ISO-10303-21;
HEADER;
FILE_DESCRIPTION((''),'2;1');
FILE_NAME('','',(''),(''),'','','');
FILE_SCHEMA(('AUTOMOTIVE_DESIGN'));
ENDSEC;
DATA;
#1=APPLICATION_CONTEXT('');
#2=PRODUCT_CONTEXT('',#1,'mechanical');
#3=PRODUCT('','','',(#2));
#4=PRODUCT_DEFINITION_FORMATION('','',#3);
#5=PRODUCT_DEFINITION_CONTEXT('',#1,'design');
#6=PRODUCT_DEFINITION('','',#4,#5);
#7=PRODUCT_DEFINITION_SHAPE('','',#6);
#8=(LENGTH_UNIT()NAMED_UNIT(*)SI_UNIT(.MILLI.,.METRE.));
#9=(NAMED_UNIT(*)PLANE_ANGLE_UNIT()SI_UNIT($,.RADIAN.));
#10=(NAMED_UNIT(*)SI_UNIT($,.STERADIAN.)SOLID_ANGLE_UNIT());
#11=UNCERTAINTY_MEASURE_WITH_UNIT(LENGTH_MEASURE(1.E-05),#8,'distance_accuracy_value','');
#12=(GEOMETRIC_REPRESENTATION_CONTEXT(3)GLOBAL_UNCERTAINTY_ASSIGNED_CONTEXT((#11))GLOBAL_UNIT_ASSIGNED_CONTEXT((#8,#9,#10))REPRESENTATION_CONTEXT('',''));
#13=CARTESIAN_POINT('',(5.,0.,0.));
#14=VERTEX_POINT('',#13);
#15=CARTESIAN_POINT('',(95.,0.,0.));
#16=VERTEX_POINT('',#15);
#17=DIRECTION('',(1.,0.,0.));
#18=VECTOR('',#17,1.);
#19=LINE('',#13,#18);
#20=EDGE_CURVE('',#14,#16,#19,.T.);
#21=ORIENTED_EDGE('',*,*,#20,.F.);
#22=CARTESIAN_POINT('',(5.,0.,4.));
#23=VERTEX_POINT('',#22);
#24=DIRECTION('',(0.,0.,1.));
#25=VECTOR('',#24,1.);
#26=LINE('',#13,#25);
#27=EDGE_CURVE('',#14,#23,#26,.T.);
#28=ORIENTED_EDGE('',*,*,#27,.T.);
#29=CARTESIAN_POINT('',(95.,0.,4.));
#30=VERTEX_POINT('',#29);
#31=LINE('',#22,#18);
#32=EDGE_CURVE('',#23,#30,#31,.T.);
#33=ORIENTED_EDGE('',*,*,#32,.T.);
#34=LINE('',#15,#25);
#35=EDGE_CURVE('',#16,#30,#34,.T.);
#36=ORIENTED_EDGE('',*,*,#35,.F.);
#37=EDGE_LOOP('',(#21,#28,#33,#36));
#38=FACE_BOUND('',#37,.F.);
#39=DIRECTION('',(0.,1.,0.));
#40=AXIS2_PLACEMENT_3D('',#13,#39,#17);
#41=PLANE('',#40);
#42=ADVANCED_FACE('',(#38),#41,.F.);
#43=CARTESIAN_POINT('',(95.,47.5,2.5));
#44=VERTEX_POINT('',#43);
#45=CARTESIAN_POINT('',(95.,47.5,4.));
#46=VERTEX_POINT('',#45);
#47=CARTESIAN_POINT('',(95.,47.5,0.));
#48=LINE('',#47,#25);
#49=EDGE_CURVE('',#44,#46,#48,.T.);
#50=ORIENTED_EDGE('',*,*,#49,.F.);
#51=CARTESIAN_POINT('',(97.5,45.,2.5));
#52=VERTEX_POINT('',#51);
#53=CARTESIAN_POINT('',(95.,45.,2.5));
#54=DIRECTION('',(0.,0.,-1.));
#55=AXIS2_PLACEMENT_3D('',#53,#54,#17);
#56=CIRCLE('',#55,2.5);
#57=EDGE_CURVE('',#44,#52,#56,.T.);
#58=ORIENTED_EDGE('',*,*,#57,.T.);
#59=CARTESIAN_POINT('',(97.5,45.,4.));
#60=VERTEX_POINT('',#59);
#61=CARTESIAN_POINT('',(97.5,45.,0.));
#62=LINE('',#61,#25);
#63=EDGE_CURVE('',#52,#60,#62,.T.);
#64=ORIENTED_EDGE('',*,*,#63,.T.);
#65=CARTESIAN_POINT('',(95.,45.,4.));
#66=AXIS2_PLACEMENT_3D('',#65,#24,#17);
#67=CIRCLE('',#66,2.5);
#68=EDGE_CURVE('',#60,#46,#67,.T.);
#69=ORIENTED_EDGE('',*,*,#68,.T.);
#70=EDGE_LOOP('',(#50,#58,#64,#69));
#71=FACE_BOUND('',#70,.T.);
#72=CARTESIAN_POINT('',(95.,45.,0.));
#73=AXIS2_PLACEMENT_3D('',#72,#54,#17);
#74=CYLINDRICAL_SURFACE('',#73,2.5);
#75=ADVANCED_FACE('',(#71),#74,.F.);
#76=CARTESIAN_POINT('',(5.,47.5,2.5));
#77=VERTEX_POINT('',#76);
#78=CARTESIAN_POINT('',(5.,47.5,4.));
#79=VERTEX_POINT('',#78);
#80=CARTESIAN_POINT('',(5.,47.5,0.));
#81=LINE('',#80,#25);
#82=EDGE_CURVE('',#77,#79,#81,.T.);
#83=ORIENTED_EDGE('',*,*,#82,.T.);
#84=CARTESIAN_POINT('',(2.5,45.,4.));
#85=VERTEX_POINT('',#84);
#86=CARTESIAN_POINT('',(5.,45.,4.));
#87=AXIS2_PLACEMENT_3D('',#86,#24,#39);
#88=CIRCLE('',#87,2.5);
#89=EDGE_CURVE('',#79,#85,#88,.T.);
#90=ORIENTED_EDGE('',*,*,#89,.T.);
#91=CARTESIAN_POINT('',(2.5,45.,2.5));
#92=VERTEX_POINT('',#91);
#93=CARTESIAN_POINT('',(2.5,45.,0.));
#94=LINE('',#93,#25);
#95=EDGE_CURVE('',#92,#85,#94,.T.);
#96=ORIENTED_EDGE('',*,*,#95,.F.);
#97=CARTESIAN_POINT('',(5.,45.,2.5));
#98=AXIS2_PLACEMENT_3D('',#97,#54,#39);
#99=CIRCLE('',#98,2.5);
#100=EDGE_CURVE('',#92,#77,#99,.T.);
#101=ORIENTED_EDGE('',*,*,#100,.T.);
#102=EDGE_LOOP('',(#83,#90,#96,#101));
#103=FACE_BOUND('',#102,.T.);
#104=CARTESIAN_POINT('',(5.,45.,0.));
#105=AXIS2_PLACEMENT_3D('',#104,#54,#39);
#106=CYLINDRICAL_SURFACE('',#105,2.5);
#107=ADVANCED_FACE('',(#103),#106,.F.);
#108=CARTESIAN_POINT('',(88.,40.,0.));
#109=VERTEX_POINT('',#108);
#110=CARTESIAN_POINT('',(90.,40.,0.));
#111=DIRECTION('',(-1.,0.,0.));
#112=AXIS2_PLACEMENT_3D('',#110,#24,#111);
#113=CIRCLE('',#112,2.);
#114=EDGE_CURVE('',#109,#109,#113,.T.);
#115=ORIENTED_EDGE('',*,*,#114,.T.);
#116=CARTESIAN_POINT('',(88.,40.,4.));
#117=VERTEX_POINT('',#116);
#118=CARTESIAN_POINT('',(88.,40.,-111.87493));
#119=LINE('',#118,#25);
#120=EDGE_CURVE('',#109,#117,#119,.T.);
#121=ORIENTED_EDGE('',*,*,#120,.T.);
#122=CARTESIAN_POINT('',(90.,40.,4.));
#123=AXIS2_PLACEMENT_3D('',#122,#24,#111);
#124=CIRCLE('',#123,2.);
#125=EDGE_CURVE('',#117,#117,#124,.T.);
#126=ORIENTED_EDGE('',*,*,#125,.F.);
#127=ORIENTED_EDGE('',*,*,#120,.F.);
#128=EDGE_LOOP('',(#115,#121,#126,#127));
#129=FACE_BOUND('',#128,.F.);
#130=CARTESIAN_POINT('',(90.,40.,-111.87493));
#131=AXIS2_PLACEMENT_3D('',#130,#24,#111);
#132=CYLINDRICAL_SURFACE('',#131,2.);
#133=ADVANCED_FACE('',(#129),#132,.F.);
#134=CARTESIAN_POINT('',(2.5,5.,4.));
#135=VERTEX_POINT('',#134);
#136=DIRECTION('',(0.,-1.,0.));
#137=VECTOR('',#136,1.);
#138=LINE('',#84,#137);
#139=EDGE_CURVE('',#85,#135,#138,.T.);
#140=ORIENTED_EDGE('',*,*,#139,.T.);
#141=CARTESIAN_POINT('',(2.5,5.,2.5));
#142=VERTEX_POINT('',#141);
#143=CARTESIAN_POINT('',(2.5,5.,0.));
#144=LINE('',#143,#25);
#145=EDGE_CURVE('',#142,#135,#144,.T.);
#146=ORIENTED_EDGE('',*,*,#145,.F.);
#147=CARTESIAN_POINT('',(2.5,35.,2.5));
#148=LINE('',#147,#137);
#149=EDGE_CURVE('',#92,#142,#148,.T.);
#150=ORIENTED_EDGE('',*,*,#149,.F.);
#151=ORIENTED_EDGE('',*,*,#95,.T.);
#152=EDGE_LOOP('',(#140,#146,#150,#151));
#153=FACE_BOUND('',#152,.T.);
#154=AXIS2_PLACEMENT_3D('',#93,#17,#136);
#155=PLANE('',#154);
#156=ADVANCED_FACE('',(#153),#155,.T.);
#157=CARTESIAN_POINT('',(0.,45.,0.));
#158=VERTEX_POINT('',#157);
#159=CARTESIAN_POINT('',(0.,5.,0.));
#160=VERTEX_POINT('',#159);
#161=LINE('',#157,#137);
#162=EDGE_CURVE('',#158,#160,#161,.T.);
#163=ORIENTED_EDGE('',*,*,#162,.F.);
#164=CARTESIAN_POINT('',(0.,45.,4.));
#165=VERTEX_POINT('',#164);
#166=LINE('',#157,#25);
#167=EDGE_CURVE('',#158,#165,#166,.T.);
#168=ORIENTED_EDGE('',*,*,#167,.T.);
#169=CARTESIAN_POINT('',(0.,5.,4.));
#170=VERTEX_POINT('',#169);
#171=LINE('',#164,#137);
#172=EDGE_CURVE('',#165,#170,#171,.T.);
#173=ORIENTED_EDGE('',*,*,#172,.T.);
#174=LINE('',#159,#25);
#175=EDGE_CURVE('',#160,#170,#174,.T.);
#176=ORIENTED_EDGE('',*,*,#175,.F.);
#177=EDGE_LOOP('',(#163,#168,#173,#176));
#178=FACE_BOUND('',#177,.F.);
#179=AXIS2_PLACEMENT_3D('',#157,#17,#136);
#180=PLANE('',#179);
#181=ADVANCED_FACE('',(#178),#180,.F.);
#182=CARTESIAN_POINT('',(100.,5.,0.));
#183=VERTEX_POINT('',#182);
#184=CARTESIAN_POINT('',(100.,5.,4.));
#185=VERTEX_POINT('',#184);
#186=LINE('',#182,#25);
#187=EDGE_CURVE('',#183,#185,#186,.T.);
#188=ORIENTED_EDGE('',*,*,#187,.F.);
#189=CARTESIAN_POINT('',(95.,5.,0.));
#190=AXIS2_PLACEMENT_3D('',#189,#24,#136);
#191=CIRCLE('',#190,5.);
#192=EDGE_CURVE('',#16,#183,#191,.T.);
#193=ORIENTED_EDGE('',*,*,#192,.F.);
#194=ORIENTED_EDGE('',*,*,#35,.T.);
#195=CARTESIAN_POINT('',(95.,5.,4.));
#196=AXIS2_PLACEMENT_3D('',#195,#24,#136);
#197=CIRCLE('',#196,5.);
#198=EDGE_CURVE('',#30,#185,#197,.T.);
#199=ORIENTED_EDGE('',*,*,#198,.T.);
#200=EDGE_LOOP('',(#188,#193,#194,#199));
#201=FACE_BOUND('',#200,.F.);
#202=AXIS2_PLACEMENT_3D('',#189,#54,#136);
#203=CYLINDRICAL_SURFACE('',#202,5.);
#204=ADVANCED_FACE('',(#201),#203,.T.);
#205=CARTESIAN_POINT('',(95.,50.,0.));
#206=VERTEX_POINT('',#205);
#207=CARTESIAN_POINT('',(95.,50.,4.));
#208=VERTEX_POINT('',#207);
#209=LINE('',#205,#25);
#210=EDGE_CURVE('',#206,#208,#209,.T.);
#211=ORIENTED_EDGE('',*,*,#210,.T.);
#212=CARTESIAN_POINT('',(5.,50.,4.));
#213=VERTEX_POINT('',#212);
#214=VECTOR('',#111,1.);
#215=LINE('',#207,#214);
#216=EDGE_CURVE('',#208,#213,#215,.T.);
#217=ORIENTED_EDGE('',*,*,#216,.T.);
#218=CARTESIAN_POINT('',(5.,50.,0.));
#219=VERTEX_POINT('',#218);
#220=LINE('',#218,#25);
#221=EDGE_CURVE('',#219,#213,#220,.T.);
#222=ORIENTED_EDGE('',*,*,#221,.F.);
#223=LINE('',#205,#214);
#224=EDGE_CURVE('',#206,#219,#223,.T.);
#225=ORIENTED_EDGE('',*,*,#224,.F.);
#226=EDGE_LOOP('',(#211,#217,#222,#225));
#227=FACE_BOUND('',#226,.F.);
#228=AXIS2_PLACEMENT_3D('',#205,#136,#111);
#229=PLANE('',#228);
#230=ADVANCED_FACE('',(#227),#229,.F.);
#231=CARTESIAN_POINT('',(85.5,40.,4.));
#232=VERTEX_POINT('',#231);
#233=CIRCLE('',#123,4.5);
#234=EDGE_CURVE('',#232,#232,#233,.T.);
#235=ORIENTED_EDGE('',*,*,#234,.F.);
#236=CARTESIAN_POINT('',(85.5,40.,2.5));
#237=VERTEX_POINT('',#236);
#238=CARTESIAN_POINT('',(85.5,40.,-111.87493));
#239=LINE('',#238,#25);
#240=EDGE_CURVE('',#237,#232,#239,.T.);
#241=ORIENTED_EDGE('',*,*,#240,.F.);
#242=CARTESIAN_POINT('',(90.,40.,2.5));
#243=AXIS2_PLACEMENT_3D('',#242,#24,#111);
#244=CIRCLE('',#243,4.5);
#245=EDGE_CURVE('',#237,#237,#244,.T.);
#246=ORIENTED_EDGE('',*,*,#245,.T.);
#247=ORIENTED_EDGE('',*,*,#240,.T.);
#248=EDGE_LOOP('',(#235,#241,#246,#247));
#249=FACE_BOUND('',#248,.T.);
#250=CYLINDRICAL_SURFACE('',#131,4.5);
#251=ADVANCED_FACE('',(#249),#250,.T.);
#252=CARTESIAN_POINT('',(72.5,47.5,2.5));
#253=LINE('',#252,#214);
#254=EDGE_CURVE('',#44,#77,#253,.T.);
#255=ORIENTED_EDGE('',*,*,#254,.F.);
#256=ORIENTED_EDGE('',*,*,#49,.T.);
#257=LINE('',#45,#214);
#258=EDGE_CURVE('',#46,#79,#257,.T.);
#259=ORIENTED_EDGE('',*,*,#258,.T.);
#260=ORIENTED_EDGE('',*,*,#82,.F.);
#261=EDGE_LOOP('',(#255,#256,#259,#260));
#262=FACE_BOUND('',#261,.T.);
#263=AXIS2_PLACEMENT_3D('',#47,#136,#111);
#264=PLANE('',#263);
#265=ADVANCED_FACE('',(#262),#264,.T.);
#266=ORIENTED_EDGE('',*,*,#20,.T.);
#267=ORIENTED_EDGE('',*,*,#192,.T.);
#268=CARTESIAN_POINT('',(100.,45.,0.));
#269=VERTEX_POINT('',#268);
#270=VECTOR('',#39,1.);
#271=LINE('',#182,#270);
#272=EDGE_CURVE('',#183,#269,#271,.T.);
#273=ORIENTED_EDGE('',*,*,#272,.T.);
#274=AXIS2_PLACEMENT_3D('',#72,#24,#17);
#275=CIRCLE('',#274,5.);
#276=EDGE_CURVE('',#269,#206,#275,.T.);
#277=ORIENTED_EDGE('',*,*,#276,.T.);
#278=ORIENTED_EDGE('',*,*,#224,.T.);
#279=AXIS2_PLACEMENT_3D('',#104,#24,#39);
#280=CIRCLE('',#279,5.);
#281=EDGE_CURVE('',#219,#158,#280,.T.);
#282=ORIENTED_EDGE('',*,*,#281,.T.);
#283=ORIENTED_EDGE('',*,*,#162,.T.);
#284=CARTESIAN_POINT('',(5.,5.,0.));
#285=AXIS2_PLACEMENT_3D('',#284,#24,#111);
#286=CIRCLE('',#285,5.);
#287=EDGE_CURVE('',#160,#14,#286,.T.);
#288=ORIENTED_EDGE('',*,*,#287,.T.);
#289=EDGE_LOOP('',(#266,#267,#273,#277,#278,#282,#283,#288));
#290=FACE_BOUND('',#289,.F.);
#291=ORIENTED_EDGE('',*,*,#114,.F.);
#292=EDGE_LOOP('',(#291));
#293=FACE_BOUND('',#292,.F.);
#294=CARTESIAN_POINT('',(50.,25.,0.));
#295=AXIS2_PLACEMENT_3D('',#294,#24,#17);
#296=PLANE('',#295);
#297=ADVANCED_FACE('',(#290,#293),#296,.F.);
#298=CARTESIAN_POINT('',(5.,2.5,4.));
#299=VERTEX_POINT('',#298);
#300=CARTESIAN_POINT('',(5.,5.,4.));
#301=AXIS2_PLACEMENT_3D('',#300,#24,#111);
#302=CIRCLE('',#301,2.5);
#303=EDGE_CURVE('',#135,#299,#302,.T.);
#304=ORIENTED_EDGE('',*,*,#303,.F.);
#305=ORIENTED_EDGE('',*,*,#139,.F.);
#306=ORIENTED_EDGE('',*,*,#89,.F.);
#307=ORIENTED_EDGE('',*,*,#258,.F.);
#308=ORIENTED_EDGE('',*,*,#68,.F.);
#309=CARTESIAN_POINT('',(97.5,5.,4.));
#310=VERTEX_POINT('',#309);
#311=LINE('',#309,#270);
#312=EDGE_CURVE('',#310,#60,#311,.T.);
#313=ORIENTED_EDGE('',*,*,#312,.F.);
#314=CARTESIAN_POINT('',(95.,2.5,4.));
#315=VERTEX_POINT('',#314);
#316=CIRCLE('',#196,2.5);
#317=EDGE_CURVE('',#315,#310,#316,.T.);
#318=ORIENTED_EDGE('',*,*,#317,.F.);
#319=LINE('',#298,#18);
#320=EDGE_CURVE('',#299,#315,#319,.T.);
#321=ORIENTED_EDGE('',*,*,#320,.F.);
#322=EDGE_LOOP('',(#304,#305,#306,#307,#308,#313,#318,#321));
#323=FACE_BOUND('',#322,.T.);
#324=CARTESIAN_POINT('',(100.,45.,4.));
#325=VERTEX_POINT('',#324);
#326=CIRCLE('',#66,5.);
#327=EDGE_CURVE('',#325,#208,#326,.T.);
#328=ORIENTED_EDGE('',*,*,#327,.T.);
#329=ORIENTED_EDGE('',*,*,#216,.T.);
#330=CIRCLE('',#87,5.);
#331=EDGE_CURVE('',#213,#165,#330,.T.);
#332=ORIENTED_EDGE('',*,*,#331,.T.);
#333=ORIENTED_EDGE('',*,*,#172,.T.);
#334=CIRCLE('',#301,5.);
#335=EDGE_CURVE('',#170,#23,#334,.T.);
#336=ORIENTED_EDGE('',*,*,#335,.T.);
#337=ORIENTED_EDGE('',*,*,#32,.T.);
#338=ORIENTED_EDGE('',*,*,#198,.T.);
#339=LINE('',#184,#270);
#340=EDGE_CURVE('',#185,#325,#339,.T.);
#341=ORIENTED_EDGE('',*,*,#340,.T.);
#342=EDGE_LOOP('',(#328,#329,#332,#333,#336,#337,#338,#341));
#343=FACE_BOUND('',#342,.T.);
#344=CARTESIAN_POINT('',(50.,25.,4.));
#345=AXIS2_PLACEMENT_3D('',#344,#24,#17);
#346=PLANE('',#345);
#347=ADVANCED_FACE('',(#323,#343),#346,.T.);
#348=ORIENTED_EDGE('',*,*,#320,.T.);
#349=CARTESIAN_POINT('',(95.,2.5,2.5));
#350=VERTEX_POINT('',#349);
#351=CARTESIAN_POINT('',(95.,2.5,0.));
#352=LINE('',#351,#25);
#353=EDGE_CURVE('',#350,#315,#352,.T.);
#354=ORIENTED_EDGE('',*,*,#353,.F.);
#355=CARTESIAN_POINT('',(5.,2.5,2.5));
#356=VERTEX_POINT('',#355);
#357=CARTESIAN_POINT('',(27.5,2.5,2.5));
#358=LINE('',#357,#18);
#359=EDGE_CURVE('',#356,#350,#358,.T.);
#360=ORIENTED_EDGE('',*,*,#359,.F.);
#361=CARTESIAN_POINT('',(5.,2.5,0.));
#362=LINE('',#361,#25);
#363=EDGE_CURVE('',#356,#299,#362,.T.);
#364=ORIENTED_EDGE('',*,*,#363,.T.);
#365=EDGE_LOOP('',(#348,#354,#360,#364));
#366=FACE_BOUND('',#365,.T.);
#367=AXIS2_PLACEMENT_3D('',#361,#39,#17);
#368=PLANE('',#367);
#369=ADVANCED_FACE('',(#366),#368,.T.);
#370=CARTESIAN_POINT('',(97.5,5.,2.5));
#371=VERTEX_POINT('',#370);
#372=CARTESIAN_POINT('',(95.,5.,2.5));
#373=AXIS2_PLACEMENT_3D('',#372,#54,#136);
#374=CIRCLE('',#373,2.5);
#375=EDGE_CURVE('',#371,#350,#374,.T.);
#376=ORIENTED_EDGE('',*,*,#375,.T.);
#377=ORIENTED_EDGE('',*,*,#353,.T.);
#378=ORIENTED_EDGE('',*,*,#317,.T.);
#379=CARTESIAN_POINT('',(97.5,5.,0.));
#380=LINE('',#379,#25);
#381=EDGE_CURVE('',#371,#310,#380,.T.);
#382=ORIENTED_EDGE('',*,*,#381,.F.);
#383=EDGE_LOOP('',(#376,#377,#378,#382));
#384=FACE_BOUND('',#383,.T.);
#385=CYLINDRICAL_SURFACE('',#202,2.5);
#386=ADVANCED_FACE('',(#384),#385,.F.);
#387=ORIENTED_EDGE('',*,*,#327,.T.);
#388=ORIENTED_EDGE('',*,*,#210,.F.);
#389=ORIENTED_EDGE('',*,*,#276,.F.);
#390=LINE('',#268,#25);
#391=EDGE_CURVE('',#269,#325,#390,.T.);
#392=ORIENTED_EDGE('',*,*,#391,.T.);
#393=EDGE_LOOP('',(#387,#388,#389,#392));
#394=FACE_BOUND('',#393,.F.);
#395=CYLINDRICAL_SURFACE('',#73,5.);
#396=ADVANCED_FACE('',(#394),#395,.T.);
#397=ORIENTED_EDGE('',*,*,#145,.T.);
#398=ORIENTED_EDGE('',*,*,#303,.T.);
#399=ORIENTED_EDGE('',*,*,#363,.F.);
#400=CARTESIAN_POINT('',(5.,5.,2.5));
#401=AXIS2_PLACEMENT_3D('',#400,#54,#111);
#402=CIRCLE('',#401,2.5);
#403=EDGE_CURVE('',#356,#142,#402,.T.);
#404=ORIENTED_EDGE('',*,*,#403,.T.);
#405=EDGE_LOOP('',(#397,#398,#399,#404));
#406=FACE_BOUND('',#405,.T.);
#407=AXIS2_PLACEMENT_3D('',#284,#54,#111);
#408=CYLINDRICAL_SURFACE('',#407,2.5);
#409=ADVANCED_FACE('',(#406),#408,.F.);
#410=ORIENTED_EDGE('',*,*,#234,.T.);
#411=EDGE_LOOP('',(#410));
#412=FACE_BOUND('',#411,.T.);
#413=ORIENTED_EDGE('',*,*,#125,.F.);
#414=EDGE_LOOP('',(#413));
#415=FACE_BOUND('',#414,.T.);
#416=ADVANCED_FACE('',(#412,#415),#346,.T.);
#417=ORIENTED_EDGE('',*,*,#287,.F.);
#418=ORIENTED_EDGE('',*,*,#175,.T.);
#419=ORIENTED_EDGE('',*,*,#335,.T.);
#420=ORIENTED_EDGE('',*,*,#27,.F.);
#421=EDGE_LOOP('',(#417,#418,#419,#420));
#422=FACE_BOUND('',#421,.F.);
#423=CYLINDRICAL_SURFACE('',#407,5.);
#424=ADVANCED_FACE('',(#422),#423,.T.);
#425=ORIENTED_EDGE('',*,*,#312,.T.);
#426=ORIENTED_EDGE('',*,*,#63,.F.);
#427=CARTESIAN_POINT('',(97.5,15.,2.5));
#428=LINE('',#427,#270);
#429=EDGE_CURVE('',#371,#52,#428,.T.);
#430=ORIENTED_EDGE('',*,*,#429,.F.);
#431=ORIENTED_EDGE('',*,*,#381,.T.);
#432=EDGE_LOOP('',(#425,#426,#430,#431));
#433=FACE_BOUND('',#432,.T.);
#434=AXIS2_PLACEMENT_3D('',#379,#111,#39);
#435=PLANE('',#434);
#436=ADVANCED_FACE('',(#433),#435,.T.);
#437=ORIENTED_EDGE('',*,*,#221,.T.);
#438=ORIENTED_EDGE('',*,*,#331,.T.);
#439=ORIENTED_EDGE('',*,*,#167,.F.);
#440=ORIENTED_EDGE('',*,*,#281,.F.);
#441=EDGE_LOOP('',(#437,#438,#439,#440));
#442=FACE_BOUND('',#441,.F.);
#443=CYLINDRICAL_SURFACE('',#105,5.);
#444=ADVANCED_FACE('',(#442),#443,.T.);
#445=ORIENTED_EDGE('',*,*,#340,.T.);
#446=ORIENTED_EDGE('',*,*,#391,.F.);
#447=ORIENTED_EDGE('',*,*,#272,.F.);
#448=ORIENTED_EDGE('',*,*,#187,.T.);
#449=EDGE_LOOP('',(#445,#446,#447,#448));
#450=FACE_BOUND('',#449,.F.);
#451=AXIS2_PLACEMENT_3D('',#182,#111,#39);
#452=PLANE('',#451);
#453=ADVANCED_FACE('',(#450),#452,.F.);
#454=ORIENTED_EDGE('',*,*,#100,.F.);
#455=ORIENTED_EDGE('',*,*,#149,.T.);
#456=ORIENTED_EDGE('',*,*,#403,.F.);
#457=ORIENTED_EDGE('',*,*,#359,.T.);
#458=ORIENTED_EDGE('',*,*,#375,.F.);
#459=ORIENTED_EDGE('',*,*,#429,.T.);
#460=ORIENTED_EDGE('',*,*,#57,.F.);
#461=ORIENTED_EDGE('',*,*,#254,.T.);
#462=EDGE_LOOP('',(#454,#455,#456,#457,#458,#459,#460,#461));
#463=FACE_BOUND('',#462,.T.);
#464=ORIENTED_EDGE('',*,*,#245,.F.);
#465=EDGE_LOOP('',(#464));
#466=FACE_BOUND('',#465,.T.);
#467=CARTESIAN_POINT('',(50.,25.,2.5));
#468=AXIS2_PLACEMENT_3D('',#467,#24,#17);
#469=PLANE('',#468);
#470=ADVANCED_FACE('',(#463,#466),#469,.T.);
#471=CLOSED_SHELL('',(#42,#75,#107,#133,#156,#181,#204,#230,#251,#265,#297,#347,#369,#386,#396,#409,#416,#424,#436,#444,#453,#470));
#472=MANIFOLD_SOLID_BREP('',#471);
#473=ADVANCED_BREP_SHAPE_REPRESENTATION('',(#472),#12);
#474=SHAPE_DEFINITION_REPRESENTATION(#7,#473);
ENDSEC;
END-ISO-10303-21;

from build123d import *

# Parameters (mm, degrees)
F1_DEPTH = 4
F2_D     = 4
F3_T     = -2.5


with BuildPart() as f1:
    # F0 (on Top) → F1 (new body)
    with BuildSketch(Plane.XY):
        with BuildLine():
            ThreePointArc((0, 5), (1.4644660941, 1.4644660941), (5, 0))
            Line((5, 0), (95, 0))
            ThreePointArc((95, 0), (98.5355339059, 1.4644660941), (100, 5))
            Line((100, 5), (100, 45))
            ThreePointArc((100, 45), (98.5355339059, 48.5355339059), (95, 50))
            Line((95, 50), (5, 50))
            ThreePointArc((5, 50), (1.4644660941, 48.5355339059), (0, 45))
            Line((0, 45), (0, 5))
        make_face()
        with BuildLine():
            ThreePointArc((5, 40), (6.4644660941, 43.5355339059), (10, 45))
            Line((10, 45), (90, 45))
            ThreePointArc((90, 45), (93.5355339059, 43.5355339059), (95, 40))
            Line((95, 40), (95, 10))
            ThreePointArc((95, 10), (93.5355339059, 6.4644660941), (90, 5))
            Line((90, 5), (10, 5))
            ThreePointArc((10, 5), (6.4644660941, 6.4644660941), (5, 10))
            Line((5, 10), (5, 40))
        make_face(mode=Mode.SUBTRACT)
        with BuildLine():
            Line((90, 45), (10, 45))
            ThreePointArc((10, 45), (6.4644660941, 43.5355339059), (5, 40))
            Line((5, 40), (5, 10))
            ThreePointArc((5, 10), (6.4644660941, 6.4644660941), (10, 5))
            Line((10, 5), (90, 5))
            ThreePointArc((90, 5), (93.5355339059, 6.4644660941), (95, 10))
            Line((95, 10), (95, 40))
            ThreePointArc((95, 40), (93.5355339059, 43.5355339059), (90, 45))
        make_face()
    extrude(amount=F1_DEPTH)

    # F2 (through all)
    with Locations(Plane(origin=(0, 0, 0), x_dir=(1, 0, 0), z_dir=(0, 0, -1))):
        with Locations((90, -40)):
            Hole(F2_D / 2)

    # F3
    f3_openings = [f1.faces().sort_by_distance(p)[0] for p in [
        (49.89878, 24.962043, 4),
    ]]
    offset(amount=F3_T, openings=f3_openings)


solid = f1.part
